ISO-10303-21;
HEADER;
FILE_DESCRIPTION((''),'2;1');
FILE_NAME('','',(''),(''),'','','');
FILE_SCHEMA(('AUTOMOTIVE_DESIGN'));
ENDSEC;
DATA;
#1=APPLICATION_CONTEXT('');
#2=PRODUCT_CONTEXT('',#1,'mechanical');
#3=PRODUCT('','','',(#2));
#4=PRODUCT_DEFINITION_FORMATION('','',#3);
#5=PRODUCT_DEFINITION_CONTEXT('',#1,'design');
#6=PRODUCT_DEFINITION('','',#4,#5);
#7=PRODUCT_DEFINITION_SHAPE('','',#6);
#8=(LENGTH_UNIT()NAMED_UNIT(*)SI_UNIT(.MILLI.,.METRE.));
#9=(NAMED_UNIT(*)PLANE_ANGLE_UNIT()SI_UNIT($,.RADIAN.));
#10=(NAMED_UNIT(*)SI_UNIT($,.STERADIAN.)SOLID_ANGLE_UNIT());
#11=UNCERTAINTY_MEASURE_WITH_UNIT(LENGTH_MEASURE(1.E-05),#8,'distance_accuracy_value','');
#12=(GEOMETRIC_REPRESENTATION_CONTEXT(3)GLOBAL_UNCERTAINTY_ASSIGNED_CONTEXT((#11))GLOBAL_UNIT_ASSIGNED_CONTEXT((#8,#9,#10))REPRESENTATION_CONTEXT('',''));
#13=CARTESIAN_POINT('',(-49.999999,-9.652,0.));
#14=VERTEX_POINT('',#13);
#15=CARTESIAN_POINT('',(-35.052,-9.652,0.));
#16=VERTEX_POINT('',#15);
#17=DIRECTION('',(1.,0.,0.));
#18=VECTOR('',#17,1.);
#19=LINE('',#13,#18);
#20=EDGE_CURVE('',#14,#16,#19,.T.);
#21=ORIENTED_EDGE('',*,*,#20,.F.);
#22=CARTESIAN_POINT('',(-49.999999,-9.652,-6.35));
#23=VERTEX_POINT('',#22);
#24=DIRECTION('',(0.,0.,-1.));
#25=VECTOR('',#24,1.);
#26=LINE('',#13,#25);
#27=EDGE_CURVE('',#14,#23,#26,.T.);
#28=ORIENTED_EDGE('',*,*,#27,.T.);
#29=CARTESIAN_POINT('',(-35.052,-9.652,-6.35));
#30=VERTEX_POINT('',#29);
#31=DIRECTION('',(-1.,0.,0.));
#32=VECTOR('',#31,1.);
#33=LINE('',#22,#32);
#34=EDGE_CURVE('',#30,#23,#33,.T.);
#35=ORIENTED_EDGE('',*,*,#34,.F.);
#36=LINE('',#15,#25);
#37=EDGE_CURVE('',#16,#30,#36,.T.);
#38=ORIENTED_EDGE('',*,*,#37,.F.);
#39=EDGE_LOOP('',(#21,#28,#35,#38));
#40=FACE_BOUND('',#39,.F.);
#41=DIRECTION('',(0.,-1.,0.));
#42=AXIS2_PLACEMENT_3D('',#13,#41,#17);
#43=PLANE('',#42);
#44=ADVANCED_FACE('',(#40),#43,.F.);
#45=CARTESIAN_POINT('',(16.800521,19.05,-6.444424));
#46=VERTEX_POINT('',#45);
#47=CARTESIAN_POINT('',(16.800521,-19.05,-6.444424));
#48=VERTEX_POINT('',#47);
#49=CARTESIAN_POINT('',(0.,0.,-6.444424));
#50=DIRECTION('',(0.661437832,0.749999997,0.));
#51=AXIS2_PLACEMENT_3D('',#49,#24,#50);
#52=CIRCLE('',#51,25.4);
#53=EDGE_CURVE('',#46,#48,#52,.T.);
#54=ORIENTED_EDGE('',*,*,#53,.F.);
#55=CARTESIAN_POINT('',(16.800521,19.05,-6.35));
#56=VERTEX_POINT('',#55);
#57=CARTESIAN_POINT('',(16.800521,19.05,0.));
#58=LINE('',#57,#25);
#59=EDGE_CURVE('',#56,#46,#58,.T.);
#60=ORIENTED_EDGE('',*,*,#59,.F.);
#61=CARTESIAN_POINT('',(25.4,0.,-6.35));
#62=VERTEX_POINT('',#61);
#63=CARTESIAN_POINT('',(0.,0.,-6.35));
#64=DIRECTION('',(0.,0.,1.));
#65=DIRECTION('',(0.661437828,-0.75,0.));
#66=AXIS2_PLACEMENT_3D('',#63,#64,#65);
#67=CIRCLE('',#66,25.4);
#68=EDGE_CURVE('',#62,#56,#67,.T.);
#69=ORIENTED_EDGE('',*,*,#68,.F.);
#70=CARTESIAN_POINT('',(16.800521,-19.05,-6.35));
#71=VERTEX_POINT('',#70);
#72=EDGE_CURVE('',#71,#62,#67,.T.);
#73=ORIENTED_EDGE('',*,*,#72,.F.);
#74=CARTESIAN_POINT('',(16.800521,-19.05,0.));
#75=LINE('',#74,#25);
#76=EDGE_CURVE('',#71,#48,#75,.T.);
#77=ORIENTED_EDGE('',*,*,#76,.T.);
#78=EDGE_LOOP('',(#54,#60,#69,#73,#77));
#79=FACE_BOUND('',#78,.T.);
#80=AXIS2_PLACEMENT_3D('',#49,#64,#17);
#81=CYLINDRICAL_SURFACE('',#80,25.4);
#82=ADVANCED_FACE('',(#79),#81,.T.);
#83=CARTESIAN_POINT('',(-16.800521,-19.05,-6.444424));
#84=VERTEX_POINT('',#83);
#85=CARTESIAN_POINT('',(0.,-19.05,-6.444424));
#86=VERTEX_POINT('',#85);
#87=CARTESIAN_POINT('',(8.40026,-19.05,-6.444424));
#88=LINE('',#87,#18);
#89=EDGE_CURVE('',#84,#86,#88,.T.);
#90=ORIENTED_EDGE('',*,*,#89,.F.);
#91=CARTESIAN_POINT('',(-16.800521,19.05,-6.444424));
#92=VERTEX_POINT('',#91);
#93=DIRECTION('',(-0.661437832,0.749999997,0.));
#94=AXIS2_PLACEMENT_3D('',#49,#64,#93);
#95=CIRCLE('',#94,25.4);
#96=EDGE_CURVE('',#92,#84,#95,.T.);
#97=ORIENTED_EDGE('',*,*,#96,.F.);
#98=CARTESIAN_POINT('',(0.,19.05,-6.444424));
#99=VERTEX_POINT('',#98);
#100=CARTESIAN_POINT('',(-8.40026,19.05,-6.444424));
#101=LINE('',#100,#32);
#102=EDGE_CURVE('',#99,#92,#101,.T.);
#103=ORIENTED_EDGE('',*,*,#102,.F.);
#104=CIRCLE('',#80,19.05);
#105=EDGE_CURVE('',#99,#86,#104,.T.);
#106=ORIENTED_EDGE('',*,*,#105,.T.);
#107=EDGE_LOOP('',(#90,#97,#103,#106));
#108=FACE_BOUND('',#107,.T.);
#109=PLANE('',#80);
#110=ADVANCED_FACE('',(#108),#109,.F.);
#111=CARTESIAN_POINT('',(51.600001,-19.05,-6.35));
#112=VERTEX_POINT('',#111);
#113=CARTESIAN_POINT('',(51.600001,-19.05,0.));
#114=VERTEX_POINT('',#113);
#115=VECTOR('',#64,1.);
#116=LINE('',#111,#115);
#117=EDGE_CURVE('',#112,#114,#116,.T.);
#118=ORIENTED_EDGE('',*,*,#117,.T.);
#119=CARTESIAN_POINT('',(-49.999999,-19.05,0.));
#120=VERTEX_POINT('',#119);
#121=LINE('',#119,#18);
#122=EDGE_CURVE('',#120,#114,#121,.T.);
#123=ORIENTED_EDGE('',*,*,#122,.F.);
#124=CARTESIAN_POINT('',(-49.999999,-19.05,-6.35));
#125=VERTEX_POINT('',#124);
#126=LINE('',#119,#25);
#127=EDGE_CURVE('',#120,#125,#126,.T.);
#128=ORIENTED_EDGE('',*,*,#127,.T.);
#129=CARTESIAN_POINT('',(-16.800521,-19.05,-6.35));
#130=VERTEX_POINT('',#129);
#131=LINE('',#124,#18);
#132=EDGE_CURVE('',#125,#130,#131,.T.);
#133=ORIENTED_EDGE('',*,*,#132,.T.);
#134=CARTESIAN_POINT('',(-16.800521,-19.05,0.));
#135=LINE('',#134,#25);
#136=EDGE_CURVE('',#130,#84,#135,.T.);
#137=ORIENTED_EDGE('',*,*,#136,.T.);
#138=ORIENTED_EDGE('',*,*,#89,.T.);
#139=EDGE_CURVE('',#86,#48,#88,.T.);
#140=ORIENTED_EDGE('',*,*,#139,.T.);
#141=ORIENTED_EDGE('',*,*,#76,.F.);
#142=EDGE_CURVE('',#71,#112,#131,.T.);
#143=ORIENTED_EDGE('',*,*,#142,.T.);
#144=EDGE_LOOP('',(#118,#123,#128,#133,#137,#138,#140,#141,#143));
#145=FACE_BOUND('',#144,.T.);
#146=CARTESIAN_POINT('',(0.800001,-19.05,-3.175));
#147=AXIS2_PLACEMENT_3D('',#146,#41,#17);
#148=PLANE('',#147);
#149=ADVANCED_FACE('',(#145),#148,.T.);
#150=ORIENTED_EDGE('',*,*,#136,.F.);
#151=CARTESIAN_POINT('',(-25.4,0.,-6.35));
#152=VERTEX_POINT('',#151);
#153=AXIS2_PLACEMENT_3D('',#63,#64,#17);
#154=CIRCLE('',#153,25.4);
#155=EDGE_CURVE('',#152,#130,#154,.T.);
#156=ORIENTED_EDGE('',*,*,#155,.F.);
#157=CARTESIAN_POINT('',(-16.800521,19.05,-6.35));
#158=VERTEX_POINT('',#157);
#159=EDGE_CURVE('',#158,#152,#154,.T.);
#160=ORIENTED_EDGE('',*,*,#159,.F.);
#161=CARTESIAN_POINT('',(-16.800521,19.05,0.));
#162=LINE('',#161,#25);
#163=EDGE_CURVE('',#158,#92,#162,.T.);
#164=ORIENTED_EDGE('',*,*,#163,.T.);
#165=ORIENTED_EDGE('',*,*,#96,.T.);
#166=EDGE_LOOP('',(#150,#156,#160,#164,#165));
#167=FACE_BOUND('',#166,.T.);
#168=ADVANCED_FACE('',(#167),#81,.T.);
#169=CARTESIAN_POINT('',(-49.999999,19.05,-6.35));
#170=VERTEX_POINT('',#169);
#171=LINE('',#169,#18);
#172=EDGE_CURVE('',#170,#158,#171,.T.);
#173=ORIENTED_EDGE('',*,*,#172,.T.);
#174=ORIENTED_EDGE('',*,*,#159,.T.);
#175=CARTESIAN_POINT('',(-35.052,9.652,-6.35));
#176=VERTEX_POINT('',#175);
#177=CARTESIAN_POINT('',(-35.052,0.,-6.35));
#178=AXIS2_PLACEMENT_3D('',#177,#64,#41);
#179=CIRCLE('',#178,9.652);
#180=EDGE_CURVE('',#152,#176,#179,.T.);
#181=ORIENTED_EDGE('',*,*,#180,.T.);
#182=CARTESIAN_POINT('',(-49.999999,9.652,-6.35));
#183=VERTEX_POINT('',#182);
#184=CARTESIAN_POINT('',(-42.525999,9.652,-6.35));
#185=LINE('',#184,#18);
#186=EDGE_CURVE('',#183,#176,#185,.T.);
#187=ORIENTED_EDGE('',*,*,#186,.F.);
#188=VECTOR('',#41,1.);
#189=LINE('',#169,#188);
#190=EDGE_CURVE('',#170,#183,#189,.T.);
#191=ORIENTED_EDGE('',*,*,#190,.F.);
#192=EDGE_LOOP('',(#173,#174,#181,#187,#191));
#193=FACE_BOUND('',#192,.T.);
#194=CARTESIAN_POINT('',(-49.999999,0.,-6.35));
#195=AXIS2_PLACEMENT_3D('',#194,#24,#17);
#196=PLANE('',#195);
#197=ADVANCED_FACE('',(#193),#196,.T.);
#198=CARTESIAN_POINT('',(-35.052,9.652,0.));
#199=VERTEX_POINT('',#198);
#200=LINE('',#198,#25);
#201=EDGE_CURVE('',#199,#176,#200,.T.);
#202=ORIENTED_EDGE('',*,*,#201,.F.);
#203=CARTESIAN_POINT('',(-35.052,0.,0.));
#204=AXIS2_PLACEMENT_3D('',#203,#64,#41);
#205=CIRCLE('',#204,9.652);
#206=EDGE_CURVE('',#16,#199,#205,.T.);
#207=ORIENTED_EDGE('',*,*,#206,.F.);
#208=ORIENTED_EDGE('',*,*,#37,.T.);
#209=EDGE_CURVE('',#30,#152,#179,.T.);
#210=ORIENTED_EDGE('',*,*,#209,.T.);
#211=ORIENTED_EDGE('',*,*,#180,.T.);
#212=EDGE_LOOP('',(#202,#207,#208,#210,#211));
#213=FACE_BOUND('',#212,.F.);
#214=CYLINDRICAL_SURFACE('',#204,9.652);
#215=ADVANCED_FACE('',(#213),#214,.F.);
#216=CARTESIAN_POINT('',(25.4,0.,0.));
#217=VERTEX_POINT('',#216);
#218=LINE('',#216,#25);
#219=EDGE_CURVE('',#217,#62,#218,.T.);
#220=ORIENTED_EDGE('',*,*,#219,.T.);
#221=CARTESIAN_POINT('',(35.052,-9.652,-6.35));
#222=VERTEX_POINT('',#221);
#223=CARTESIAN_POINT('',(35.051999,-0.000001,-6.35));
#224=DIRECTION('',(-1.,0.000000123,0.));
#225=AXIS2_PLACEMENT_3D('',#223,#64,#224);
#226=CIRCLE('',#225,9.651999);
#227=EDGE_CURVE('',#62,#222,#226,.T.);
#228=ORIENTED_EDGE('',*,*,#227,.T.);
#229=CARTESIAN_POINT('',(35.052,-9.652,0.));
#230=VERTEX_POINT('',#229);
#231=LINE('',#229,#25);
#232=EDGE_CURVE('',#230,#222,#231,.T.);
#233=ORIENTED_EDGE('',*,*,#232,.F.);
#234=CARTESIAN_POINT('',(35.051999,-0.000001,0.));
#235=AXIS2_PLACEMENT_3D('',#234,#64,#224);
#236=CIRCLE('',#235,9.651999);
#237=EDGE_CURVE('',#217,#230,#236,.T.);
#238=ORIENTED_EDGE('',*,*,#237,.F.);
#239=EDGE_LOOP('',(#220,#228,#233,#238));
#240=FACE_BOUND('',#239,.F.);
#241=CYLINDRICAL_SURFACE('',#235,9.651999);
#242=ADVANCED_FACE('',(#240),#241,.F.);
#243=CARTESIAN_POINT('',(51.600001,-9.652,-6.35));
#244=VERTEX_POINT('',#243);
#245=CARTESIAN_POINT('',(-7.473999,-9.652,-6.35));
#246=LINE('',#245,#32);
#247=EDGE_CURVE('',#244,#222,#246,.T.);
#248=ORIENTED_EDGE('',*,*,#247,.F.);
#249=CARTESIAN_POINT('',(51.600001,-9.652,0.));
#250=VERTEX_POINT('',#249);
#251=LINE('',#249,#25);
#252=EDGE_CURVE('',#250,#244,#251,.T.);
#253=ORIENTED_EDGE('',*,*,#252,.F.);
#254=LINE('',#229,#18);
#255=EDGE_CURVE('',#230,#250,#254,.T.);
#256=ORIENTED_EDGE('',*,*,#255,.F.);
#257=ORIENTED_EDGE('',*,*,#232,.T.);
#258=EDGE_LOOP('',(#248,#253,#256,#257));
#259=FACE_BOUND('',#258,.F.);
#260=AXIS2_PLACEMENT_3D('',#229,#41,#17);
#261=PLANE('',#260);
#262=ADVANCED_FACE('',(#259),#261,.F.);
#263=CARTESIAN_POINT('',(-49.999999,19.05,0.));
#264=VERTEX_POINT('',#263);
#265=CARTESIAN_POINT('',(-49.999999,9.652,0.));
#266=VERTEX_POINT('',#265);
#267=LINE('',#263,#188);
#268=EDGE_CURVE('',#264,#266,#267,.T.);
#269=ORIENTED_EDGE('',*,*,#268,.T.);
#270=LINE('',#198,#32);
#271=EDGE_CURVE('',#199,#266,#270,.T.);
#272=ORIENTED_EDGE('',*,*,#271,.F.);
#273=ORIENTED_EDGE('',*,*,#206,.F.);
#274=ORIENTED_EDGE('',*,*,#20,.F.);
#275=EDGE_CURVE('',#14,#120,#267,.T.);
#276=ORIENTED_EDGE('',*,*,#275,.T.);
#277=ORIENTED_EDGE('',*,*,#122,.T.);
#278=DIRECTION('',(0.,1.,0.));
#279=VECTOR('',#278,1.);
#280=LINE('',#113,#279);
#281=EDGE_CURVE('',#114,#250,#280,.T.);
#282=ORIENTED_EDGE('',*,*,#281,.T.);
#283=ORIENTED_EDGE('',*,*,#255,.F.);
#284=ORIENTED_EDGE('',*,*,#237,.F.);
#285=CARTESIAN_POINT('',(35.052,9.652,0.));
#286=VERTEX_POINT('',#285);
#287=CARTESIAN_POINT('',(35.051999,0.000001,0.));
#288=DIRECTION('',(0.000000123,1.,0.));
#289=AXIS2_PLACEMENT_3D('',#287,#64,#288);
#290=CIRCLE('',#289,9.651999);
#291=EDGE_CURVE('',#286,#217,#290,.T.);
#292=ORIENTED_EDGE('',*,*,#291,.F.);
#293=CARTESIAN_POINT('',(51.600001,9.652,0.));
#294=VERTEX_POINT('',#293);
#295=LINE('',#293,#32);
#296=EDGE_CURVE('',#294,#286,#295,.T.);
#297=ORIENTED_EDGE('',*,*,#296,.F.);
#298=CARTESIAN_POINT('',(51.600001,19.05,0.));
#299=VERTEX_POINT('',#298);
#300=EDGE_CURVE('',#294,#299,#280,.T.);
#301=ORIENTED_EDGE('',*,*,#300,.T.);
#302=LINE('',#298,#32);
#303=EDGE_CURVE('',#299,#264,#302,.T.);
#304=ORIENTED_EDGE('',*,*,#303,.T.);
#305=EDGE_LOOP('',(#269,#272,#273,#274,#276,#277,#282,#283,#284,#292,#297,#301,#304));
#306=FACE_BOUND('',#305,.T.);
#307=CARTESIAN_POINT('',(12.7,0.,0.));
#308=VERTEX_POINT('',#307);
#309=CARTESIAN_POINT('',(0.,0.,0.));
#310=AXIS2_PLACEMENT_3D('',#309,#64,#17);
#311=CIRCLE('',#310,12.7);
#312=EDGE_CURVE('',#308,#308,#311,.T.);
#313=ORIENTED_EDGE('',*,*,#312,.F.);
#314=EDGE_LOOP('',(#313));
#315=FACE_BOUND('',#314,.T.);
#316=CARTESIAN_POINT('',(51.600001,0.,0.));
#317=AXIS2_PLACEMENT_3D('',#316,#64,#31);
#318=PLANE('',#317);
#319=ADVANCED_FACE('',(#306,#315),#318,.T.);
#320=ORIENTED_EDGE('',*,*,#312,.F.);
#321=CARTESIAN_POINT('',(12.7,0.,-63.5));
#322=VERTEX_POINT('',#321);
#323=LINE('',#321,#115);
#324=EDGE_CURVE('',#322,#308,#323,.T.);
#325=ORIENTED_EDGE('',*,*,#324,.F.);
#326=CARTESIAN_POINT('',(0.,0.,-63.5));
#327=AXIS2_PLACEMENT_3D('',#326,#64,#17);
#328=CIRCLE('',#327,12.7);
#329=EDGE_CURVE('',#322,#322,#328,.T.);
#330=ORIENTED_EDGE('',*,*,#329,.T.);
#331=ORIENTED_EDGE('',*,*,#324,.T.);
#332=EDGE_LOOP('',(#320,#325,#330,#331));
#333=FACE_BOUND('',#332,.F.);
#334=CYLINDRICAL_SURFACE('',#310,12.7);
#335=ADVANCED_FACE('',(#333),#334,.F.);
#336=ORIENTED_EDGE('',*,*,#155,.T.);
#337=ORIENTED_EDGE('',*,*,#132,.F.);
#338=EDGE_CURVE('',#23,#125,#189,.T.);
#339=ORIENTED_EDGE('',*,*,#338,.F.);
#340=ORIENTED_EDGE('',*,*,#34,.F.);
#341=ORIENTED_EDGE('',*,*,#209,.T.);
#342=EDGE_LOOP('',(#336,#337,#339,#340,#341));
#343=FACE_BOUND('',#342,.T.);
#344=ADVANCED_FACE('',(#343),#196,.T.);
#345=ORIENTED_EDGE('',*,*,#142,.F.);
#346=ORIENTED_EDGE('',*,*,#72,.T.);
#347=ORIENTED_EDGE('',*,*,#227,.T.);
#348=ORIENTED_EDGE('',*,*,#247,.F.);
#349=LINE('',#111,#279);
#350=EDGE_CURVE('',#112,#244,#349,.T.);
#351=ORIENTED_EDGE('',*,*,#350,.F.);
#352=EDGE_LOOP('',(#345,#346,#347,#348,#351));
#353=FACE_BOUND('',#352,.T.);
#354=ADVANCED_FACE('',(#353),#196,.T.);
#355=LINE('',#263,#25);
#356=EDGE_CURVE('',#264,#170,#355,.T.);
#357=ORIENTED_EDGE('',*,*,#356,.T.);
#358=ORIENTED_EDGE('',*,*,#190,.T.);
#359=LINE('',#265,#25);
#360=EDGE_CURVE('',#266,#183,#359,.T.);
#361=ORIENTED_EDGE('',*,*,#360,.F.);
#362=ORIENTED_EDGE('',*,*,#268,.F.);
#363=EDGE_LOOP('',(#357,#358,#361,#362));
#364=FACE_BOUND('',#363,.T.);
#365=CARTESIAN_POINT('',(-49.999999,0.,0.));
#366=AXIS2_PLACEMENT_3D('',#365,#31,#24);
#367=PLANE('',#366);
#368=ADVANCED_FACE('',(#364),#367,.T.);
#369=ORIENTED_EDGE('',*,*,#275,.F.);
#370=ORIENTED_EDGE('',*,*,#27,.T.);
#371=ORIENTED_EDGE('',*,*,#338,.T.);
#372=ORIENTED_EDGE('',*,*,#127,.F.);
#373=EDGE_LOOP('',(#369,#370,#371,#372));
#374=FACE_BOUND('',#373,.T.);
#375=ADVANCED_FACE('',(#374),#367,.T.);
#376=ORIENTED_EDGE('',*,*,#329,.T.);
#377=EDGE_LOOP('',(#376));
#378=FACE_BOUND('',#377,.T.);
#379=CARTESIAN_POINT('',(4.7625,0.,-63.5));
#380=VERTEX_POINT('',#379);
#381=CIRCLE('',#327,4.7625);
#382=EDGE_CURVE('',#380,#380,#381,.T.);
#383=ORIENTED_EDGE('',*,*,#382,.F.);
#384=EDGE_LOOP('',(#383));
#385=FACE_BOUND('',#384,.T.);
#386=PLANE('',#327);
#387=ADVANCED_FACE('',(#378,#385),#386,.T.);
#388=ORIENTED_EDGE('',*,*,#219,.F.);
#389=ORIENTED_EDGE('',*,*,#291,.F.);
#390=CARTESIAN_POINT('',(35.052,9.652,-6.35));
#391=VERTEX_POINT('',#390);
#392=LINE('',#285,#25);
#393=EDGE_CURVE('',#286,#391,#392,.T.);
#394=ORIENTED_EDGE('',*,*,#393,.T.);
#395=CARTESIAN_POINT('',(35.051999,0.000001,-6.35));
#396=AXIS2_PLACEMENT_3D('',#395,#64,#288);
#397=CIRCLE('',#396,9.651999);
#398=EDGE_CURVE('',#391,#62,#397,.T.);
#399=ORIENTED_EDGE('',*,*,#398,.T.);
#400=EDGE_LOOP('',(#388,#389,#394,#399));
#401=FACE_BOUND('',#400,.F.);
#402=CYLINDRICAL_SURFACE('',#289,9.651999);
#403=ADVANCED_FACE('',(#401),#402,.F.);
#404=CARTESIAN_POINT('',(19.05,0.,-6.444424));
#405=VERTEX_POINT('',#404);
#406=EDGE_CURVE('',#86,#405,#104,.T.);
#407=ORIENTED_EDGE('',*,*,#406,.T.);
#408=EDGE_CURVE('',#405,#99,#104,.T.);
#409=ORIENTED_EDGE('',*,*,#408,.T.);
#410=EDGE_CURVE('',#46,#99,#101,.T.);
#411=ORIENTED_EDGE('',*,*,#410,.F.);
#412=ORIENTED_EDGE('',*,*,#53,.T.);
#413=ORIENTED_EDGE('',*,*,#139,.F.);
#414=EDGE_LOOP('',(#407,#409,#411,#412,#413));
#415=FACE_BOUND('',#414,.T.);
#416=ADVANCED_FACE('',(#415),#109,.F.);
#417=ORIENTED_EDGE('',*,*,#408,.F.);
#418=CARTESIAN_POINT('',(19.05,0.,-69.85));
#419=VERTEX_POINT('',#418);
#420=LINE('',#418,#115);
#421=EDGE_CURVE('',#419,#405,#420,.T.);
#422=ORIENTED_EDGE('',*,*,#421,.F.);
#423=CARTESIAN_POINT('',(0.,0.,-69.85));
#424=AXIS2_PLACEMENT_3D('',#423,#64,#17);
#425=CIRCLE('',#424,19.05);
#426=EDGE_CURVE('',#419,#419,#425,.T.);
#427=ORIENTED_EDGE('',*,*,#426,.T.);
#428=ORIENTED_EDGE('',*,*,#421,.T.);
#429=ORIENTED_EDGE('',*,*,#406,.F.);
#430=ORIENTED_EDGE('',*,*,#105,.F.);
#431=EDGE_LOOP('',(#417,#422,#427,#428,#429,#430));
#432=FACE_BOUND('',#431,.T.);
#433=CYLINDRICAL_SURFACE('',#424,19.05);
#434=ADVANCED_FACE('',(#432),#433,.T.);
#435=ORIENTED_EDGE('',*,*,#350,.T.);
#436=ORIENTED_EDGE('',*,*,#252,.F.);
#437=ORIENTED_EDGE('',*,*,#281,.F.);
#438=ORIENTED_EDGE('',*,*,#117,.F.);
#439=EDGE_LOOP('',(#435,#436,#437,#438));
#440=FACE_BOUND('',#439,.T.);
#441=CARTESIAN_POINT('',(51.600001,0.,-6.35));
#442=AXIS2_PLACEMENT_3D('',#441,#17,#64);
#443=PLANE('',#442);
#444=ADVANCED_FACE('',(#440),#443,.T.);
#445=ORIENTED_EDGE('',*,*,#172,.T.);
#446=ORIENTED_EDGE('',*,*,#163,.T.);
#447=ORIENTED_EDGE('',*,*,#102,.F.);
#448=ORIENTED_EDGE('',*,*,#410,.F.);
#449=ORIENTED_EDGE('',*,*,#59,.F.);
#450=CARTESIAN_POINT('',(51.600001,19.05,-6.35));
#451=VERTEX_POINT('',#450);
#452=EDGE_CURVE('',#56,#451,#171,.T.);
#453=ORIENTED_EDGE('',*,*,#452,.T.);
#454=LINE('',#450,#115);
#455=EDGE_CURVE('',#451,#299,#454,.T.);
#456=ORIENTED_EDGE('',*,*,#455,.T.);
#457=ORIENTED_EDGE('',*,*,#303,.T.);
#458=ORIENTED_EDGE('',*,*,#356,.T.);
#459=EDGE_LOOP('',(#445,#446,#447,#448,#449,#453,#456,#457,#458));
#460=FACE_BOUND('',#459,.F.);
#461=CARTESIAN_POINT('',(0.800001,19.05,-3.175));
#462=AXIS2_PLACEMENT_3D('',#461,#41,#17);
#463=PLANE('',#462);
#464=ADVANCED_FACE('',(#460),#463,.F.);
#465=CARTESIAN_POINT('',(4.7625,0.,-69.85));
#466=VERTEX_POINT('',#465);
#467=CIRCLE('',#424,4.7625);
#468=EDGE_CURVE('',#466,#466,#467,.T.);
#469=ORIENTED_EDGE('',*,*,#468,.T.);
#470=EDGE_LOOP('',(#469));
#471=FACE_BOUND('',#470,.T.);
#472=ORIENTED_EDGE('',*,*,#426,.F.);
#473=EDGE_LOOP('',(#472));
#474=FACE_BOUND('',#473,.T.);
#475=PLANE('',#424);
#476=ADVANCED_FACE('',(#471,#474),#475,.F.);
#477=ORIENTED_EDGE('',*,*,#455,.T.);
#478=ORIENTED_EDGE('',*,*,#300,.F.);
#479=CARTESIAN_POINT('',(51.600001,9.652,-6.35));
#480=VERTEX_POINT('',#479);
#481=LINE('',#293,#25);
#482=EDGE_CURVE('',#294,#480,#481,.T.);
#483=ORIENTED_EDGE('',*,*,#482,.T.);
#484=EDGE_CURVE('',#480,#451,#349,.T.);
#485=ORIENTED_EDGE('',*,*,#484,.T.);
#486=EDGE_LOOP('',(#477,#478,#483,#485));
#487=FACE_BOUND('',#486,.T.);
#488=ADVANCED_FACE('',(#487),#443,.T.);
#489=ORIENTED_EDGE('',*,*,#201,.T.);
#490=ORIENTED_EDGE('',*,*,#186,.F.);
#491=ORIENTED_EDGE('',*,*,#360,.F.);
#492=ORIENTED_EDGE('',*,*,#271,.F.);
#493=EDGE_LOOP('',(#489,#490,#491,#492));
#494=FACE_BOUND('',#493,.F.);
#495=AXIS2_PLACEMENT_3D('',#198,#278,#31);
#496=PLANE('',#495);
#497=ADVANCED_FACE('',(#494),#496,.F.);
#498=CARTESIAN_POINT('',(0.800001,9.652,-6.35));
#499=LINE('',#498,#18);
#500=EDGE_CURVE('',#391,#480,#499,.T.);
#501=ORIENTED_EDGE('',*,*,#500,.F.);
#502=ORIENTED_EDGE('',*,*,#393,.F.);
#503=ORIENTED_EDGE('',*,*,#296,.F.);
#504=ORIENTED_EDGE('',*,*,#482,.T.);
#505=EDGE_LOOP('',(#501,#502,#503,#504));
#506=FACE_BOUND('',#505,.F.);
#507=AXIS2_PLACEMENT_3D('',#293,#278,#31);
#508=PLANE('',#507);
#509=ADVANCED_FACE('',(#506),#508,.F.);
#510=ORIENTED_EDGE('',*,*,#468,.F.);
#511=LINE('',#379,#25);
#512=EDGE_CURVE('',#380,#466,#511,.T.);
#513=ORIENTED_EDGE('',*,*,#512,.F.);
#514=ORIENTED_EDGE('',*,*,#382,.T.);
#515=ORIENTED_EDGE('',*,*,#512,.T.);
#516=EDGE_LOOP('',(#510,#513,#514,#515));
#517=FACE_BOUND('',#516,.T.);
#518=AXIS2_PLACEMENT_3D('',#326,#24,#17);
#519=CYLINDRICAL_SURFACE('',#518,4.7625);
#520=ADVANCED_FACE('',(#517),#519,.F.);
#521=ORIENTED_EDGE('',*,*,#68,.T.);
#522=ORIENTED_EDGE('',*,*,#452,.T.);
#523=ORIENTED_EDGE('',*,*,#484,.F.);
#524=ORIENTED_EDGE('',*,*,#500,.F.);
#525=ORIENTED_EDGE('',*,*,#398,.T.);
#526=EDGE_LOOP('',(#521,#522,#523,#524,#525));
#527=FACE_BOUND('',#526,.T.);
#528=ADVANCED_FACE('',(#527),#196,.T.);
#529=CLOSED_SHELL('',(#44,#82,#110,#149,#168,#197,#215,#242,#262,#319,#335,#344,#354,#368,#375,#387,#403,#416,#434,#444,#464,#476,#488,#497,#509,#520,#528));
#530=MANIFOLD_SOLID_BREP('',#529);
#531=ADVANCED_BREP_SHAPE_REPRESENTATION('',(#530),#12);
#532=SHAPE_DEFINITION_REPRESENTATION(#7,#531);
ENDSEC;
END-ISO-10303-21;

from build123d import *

# Parameters (mm, degrees)
F3_DEPTH      = 19.05
F3_DEPTH_BACK = 19.05
F4_R          = 12.7
F5_DEPTH      = 25.4
F8_DEPTH      = 69.851
F9_DEPTH      = 25.4


with BuildPart() as f1:
    # F0 (on Front) → F1 (revolve)
    with BuildSketch(Plane.XZ):
        Polygon((25.4, 0), (12.7, 0), (12.7, -63.5), (4.7625, -63.5), (4.7625, -69.85), (19.05, -69.85), (19.05, -6.444424), (25.4, -6.444424), align=None)
    revolve(axis=Axis((0, 0, -15.169185), (0, 0, 1)))


with BuildPart() as f3:
    # F2 (on Front) → F3 (new body, two sides)
    with BuildSketch(Plane.XZ) as f3_sk:
        Polygon((51.600001, 0), (0, 0), (-49.999999, 0), (-49.999999, -6.35), (0, -6.35), (51.600001, -6.35), align=None)
    extrude(amount=F3_DEPTH)
    extrude(f3_sk.sketch, amount=-F3_DEPTH_BACK)

    # F4 (on Top) → F5 (cut)
    with BuildSketch(Plane.XY):
        Circle(F4_R)
    extrude(amount=-F5_DEPTH, mode=Mode.SUBTRACT)

    # F6: union F1
    add(f1.part)

    # F7 (on Top) → F8 (cut, through all)
    with BuildSketch(Plane.XY):
        Polygon((0, -19.05), (-16.800521, -19.05), (-16.800521, -29.420776), (16.800521, -29.420776), (16.800521, -19.05), align=None)
        Polygon((-16.800521, 19.05), (0, 19.05), (16.800521, 19.05), (16.800521, 27.208871), (-16.800521, 27.208871), align=None)
    extrude(amount=-F8_DEPTH, mode=Mode.SUBTRACT)

    # F7 (on Top) → F9 (cut)
    with BuildSketch(Plane.XY):
        with BuildLine():
            Line((51.600001, -9.652), (51.600001, 9.652))
            Line((51.600001, 9.652), (35.052, 9.652))
            ThreePointArc((35.052, 9.652), (28.227005, 6.824995), (25.4, 0))
            ThreePointArc((25.4, 0), (28.227005, -6.824995), (35.052, -9.652))
            Line((35.052, -9.652), (51.600001, -9.652))
        make_face()
        with BuildLine():
            Line((-35.052, 9.652), (-49.999999, 9.652))
            Line((-49.999999, 9.652), (-49.999999, -9.652))
            Line((-49.999999, -9.652), (-35.052, -9.652))
            ThreePointArc((-35.052, -9.652), (-25.4, 0), (-35.052, 9.652))
        make_face()
    extrude(amount=-F9_DEPTH, mode=Mode.SUBTRACT)


solid = f3.part
